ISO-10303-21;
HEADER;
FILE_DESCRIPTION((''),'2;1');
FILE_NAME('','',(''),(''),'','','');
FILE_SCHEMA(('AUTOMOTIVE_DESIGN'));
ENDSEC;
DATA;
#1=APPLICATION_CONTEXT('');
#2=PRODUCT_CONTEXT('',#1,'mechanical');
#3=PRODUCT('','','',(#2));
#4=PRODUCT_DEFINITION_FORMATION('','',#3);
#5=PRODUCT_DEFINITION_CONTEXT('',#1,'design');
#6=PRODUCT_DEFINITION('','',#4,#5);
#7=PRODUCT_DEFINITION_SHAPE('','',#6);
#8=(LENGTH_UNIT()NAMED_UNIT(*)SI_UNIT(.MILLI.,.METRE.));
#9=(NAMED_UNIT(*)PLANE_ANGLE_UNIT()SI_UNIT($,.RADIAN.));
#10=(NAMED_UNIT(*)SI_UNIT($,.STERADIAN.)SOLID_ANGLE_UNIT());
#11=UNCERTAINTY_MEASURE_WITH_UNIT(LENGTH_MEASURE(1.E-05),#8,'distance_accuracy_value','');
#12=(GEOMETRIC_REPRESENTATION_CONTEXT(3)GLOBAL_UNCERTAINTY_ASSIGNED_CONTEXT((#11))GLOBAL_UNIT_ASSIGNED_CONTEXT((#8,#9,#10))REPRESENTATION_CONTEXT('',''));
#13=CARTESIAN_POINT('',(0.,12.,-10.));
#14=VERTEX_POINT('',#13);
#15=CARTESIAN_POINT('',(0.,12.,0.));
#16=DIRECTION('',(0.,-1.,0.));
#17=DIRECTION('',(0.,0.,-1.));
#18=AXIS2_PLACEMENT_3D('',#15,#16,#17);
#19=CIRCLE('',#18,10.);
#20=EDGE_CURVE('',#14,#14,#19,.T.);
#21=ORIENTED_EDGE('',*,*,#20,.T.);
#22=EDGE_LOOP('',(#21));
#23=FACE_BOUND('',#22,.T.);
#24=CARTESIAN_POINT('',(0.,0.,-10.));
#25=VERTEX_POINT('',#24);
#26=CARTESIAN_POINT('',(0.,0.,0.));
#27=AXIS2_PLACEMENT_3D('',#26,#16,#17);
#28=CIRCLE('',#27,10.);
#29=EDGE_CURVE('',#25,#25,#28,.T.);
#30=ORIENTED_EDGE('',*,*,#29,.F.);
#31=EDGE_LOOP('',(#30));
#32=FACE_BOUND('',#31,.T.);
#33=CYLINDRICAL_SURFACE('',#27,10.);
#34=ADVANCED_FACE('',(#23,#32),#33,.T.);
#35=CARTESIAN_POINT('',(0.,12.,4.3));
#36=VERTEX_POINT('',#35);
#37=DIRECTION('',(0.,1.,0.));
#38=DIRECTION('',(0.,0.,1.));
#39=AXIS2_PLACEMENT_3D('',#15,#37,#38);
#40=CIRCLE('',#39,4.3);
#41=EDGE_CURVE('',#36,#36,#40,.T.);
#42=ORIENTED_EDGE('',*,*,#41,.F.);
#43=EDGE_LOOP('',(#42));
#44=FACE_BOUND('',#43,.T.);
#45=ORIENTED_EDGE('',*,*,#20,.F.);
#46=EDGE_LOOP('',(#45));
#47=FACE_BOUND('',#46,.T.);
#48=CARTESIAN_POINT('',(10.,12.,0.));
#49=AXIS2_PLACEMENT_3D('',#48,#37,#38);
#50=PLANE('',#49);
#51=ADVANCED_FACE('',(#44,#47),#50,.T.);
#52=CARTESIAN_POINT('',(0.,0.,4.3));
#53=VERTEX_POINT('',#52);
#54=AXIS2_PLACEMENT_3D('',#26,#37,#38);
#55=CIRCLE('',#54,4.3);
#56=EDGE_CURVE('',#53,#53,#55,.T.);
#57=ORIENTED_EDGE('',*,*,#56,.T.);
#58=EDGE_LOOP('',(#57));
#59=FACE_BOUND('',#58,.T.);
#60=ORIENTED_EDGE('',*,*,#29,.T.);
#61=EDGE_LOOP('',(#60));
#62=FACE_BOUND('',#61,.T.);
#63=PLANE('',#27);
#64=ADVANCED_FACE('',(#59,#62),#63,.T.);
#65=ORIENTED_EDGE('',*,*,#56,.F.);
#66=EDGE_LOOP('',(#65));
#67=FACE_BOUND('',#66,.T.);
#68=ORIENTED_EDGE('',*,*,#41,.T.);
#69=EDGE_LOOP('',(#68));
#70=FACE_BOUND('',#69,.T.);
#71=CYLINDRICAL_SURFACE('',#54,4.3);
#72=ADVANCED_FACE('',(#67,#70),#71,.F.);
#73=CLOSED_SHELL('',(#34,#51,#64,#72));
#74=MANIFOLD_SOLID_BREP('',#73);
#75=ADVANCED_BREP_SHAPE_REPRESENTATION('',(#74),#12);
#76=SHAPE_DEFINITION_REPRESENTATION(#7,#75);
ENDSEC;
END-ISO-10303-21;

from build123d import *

# Parameters (mm, degrees)
SKETCH_1_W       = 10
SKETCH_1_H       = 12
SKETCH_2_R       = 4.3
AXIAL_BORE_DEPTH = 19.547236991


with BuildPart() as part:
    # 草图1 → Round_pushrod_head (revolve)
    with BuildSketch(Plane.XY, mode=Mode.PRIVATE) as round_pushrod_head_sk:
        with Locations((5, 6)):
            Rectangle(SKETCH_1_W, SKETCH_1_H)
    revolve(round_pushrod_head_sk.sketch.rotate(Axis((0, 0, 0), (0, 1, 0)), 90), axis=Axis((0, 0, 0), (0, 1, 0)))

    # 草图2 → Axial_bore (cut, through all)
    with BuildSketch(Plane(origin=(0, 12, 0), x_dir=(1, 0, 0), z_dir=(0, 1, 0))):
        with Locations(Location((0, 0, 0), (0, 0, 270))):
            Circle(SKETCH_2_R)
    extrude(amount=-AXIAL_BORE_DEPTH, mode=Mode.SUBTRACT)


solid = part.part
